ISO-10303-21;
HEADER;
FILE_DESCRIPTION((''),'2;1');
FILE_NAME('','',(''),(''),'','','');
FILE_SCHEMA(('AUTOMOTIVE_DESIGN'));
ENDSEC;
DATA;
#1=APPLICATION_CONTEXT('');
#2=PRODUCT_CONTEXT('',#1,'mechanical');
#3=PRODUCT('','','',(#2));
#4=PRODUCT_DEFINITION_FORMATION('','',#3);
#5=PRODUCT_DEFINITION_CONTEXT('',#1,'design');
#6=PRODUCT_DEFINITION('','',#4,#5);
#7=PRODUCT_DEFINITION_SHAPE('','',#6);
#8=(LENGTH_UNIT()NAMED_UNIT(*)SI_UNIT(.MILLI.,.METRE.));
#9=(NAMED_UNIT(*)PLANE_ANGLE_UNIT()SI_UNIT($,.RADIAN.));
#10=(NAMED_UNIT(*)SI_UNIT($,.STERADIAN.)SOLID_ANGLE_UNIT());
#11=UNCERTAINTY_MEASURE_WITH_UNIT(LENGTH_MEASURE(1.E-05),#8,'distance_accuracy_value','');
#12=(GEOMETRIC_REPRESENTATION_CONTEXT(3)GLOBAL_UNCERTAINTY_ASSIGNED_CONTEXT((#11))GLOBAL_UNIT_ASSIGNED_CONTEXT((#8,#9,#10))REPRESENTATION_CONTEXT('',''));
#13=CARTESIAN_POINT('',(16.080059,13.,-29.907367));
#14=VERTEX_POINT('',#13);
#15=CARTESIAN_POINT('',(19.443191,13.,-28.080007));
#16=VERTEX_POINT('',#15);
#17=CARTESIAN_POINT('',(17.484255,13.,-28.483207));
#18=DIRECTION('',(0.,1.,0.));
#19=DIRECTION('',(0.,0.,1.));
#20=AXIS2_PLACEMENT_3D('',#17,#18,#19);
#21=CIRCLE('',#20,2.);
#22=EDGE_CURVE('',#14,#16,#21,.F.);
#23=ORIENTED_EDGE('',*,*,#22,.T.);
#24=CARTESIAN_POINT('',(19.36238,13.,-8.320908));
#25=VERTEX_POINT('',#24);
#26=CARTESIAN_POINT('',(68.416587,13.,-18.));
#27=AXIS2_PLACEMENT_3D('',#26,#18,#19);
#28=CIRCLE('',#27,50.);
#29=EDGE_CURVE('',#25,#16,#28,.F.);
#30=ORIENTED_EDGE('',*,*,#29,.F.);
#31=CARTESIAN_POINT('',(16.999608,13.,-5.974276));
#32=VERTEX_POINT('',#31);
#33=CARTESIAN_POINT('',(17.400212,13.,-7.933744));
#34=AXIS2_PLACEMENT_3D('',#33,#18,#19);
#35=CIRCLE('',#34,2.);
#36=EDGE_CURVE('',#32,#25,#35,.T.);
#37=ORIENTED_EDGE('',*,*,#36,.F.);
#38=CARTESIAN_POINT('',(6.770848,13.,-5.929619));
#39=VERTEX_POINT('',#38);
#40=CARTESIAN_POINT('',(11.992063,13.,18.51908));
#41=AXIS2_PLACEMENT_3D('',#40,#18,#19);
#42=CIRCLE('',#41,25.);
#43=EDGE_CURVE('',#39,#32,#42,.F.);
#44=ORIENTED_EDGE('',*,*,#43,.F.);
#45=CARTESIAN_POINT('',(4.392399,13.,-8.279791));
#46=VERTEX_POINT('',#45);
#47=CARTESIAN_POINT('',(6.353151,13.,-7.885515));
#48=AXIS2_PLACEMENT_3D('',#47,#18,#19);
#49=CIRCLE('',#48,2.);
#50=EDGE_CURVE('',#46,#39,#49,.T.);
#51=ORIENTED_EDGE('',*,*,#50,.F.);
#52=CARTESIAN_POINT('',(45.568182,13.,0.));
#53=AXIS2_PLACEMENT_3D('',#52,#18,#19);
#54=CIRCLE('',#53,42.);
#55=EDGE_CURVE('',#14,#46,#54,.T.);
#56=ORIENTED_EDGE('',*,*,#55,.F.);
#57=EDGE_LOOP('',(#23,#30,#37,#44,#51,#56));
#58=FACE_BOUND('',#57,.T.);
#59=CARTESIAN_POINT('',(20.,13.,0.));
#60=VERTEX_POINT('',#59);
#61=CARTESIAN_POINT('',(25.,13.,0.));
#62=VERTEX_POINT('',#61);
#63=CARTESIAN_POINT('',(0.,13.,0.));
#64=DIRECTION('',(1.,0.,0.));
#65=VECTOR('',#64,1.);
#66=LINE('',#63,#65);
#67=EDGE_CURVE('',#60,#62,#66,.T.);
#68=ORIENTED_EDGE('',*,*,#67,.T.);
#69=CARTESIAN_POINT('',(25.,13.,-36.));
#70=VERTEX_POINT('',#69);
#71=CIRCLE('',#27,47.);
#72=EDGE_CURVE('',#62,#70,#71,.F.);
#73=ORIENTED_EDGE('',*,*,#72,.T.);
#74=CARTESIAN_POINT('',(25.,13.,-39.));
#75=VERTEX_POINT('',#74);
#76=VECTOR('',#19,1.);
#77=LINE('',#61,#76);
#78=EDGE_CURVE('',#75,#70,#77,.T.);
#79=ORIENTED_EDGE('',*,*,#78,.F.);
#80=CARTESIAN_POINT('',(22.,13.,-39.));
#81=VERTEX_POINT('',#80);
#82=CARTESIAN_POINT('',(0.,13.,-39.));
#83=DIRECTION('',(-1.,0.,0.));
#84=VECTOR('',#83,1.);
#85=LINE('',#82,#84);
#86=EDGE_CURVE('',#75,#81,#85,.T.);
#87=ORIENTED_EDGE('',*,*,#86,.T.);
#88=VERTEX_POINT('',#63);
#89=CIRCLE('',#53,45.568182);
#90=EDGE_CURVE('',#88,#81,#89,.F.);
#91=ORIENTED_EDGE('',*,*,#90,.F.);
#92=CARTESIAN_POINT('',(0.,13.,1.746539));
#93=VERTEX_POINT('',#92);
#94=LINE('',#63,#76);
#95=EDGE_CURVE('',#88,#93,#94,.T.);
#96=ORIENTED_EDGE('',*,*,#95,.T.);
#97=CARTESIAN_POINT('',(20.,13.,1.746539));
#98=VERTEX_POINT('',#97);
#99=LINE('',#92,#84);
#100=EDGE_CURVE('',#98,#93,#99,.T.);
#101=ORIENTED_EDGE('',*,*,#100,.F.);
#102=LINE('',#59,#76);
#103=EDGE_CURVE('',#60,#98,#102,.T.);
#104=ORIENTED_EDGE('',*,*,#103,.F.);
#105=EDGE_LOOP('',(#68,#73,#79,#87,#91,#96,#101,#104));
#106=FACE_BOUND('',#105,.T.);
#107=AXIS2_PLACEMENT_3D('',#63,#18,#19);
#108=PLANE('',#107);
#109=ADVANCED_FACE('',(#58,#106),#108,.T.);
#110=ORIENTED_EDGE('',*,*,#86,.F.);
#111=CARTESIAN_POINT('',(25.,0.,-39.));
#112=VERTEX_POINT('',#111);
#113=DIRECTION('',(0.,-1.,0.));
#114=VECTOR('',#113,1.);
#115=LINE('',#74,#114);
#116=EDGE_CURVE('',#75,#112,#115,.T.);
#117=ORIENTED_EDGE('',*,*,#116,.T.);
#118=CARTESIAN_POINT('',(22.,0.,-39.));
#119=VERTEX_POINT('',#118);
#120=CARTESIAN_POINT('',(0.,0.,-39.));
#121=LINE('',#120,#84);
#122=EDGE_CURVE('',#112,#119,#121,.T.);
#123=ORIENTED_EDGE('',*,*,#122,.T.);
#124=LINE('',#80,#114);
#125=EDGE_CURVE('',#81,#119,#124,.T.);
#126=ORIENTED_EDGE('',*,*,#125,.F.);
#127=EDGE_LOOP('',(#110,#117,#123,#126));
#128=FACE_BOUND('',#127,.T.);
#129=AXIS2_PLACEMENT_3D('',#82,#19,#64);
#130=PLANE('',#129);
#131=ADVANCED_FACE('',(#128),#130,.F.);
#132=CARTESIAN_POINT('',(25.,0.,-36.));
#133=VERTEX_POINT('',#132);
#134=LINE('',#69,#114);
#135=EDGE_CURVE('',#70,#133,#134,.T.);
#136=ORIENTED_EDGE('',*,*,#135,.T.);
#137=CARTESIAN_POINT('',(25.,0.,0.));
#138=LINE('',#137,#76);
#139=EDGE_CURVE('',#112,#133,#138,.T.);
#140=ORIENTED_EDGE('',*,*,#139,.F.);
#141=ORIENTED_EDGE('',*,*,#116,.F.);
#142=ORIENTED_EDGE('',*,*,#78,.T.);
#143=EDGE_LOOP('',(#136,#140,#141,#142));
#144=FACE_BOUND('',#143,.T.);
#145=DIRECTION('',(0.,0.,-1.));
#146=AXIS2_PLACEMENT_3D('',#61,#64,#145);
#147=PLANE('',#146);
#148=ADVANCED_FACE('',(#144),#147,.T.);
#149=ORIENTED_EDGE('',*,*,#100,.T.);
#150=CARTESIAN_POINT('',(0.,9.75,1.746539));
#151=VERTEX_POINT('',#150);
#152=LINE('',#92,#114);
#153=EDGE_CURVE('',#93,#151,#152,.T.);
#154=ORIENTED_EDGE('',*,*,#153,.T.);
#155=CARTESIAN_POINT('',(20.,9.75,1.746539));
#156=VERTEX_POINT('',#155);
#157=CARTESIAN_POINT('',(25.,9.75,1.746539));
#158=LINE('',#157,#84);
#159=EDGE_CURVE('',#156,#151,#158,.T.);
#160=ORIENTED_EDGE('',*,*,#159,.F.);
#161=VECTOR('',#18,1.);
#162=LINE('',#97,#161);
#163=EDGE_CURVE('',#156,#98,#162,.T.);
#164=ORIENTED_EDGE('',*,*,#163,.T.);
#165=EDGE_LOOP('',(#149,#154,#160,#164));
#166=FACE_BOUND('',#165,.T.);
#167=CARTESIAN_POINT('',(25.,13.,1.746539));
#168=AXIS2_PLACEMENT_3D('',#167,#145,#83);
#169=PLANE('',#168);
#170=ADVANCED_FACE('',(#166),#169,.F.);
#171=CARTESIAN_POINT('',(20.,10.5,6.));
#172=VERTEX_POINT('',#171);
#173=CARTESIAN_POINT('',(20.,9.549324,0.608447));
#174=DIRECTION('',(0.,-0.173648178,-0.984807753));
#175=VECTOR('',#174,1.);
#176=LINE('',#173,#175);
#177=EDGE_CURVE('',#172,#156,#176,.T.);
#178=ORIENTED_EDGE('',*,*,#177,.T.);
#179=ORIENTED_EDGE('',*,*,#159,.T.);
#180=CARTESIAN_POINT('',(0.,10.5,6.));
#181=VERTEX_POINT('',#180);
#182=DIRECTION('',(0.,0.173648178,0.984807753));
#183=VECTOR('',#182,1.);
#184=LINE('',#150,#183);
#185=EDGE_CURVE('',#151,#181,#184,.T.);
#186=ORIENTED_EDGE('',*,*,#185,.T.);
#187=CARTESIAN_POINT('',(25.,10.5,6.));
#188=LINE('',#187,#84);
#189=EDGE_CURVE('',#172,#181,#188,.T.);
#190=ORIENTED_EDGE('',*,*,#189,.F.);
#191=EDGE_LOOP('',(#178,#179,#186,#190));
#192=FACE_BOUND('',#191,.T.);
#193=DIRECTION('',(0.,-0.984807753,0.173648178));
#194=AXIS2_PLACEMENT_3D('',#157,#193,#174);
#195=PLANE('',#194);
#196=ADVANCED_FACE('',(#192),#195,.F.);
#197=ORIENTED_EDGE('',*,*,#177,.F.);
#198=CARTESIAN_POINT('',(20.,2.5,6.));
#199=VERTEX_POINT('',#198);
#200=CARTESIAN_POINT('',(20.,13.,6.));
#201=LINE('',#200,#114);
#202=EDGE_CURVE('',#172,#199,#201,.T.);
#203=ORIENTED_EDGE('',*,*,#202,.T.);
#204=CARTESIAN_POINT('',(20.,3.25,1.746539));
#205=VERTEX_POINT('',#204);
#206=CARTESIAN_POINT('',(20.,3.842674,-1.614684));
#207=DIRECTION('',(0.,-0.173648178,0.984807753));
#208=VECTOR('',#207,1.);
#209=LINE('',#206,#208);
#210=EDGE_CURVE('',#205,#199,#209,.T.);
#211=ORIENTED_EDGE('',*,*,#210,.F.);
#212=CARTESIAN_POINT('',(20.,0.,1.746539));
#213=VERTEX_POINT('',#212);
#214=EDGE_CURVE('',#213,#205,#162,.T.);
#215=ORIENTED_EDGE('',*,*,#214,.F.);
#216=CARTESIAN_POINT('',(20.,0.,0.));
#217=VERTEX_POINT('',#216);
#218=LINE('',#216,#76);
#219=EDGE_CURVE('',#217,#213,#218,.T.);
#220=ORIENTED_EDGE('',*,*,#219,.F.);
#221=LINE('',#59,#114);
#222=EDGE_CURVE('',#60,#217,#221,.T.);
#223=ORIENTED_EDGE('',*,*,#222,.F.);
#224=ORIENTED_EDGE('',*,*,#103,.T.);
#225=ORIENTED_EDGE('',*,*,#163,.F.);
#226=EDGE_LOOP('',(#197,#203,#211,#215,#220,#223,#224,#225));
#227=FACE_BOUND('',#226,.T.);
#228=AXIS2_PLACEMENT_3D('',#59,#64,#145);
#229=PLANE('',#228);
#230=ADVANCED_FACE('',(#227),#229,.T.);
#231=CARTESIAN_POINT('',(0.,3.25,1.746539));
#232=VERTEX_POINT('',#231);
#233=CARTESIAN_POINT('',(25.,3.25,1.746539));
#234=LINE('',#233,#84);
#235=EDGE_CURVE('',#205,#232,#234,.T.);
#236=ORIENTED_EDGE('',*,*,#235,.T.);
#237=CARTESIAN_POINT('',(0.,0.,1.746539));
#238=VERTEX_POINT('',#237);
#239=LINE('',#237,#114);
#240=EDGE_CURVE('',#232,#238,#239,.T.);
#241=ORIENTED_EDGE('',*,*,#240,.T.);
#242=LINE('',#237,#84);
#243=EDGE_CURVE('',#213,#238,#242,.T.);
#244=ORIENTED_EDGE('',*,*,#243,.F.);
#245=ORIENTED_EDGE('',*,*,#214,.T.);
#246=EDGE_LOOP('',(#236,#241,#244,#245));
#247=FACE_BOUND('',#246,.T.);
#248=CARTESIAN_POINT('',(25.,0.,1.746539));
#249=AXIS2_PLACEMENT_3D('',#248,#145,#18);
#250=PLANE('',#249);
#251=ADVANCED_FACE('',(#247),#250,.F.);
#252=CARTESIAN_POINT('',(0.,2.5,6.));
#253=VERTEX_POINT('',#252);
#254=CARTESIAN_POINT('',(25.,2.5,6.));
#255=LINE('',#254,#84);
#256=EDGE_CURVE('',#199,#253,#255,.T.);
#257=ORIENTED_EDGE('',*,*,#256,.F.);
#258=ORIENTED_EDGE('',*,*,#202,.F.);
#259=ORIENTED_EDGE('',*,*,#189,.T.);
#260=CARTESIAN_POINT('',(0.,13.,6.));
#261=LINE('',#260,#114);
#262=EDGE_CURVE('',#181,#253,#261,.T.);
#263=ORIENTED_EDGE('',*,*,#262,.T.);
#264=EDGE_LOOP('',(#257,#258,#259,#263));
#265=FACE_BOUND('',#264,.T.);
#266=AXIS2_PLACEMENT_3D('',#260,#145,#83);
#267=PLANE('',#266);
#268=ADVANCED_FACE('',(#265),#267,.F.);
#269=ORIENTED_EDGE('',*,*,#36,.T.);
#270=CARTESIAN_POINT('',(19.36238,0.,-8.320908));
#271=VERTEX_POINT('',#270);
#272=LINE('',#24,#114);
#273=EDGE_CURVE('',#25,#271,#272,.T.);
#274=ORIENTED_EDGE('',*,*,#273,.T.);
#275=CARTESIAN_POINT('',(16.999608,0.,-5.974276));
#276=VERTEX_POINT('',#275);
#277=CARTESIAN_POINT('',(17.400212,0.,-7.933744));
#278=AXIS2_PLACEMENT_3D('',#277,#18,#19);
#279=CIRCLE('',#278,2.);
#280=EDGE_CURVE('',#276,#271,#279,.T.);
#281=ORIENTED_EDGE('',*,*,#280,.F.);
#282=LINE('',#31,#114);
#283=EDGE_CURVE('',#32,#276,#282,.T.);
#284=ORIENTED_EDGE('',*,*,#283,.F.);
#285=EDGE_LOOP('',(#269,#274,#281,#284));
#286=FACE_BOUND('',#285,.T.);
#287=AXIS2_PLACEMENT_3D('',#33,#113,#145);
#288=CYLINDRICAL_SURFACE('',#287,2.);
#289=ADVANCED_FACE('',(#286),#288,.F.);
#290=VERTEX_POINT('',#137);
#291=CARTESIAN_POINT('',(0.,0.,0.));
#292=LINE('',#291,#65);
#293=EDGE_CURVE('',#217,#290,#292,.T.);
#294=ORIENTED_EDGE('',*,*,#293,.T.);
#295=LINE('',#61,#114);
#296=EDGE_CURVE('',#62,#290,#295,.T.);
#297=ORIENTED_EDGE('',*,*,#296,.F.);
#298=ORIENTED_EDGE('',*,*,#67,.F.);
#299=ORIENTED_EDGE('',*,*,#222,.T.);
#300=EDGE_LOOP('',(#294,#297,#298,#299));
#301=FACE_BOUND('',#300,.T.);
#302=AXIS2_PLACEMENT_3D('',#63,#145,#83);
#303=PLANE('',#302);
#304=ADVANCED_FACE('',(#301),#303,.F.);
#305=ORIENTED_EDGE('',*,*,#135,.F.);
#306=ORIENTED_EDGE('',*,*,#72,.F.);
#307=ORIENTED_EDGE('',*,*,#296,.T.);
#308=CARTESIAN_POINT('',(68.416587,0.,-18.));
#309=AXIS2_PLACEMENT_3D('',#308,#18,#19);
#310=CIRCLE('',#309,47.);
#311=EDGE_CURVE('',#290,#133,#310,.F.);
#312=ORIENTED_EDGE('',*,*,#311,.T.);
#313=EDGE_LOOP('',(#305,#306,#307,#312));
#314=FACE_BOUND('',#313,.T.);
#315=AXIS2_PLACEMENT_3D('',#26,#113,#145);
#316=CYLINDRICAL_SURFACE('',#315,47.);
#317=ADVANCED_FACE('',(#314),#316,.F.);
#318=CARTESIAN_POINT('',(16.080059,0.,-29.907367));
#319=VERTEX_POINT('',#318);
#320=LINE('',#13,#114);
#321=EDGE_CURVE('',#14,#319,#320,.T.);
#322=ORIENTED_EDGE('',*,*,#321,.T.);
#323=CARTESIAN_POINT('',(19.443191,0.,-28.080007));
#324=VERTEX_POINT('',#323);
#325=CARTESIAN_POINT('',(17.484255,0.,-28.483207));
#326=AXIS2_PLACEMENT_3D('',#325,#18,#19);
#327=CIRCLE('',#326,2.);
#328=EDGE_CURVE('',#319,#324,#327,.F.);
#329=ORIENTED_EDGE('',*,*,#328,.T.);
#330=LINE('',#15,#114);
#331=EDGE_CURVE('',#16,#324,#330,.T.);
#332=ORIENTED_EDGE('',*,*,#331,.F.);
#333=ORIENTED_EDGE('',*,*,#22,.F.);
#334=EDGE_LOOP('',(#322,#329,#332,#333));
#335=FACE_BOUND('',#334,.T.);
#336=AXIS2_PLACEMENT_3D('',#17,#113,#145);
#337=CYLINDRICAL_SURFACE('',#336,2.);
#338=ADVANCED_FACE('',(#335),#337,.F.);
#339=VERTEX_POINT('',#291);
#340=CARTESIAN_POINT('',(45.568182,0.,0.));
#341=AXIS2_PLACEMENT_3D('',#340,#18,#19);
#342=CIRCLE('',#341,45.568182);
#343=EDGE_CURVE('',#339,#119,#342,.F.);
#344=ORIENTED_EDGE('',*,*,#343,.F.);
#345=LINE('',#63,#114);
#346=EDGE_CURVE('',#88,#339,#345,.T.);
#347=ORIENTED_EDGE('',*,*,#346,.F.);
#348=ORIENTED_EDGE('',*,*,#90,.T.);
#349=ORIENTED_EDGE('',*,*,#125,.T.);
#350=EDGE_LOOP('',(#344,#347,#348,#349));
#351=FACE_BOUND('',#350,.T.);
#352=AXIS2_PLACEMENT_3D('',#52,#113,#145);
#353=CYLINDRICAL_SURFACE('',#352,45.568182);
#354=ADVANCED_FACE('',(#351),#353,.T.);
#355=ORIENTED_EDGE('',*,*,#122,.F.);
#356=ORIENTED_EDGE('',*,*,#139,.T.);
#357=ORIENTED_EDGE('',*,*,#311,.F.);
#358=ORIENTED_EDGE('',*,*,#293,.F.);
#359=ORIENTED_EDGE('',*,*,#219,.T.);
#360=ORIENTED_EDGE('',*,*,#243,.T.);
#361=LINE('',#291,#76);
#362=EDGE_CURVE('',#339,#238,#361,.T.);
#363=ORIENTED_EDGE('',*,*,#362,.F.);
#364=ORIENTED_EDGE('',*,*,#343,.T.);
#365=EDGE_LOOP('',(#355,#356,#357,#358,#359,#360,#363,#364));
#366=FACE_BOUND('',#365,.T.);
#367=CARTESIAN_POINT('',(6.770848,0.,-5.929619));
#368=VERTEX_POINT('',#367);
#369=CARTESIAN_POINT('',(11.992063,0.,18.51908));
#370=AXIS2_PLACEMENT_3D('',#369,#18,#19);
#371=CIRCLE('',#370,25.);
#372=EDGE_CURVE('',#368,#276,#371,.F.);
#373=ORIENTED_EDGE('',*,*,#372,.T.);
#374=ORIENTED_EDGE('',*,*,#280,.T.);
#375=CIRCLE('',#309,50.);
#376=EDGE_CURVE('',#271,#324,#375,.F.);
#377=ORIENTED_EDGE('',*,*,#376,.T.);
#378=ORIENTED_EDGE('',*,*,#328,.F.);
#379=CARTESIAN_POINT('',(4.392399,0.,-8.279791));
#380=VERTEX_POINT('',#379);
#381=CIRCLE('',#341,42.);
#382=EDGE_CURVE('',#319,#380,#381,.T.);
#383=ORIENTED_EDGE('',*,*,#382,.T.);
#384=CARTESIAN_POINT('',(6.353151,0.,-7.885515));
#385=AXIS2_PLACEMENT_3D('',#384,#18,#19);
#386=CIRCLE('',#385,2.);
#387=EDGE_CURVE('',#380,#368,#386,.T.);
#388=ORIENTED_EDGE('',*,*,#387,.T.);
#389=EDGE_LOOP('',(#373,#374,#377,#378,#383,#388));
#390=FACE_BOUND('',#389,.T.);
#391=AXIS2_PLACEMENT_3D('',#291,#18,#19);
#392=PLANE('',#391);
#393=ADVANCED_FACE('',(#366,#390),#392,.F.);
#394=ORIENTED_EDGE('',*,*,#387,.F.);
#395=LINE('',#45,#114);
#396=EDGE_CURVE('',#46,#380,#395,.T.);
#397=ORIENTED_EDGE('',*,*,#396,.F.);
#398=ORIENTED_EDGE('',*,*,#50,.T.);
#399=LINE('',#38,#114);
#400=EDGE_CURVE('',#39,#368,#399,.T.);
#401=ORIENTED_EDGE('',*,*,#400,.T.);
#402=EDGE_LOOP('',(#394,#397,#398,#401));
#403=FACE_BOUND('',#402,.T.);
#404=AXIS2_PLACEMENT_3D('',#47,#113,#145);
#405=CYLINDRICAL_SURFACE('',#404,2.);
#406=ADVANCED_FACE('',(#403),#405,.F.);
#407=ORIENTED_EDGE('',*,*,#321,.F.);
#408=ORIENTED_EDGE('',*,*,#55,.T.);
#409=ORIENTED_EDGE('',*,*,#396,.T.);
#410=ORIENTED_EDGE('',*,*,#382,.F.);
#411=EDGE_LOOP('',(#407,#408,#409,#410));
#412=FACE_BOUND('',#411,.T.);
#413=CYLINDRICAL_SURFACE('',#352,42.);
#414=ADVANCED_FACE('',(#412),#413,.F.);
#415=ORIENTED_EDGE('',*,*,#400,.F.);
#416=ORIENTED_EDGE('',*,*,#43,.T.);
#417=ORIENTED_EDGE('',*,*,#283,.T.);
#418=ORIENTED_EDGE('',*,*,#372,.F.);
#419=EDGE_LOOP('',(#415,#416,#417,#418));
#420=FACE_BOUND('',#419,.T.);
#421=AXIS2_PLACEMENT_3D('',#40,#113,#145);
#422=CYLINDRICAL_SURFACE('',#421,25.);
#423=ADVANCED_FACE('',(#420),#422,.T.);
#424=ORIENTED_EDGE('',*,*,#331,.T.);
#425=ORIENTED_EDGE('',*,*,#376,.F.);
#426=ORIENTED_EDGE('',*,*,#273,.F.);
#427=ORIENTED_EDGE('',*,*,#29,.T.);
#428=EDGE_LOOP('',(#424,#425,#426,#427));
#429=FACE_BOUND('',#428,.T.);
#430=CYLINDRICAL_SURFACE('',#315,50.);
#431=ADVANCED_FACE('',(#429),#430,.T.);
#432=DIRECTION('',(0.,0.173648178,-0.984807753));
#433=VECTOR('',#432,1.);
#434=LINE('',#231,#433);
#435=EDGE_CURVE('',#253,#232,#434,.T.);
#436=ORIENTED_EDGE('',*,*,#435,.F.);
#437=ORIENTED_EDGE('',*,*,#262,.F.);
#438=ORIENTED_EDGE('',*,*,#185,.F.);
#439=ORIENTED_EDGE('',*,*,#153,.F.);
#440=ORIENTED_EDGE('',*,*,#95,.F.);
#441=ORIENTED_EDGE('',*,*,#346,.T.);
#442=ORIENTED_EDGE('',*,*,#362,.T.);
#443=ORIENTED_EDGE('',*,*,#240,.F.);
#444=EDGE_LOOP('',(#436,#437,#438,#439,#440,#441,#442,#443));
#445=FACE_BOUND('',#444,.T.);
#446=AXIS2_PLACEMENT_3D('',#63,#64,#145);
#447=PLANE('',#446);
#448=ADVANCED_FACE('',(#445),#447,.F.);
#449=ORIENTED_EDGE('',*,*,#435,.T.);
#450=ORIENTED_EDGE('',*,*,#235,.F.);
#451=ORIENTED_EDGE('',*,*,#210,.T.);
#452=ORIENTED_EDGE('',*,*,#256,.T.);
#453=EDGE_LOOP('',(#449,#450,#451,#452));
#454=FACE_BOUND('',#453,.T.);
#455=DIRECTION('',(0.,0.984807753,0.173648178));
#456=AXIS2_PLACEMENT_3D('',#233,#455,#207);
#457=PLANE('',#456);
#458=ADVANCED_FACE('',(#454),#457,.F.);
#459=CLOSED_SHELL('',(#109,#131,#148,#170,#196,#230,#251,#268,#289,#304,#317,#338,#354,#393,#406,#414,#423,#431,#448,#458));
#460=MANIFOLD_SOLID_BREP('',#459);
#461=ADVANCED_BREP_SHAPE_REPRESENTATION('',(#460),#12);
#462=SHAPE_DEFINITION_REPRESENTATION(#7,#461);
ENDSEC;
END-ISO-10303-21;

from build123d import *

# Parameters (mm, degrees)
EXTRUDE_1_DEPTH     = 13
CUT_EXTRUDE_1_DEPTH = 49.114446895


with BuildPart() as part:
    # 草图1 → 凸台-拉伸1 (new body)
    with BuildSketch(Plane(origin=(0, 0, 0), x_dir=(1, 0, 0), z_dir=(0, 1, 0))):
        with BuildLine():
            Line((20, 0), (25, 0))
            ThreePointArc((25, 0), (21.416586692, 18), (25, 36))
            Line((25, 36), (25, 39))
            Line((25, 39), (22, 39))
            ThreePointArc((22, 39), (5.87927664, 22.388613177), (0, 0))
            Line((0, 0), (0, -6))
            Line((0, -6), (20, -6))
            Line((20, -6), (20, 0))
        make_face()
        with BuildLine():
            ThreePointArc((16.080059058, 29.907367254), (8.618420181, 19.967852036), (4.392399403, 8.279791209))
            ThreePointArc((4.392399403, 8.279791209), (4.947419472, 6.462870357), (6.770848151, 5.929619467))
            ThreePointArc((6.770848151, 5.929619467), (11.882919882, 6.480681597), (16.999608279, 5.974275931))
            ThreePointArc((16.999608279, 5.974275931), (18.809570487, 6.514692506), (19.362380146, 8.320908094))
            ThreePointArc((19.362380146, 8.320908094), (18.417004852, 18.204489029), (19.4431912, 28.080006643))
            ThreePointArc((19.4431912, 28.080006643), (18.439109127, 30.240549881), (16.080059058, 29.907367254))
        make_face(mode=Mode.SUBTRACT)
    extrude(amount=EXTRUDE_1_DEPTH)

    # 草图2 → 切除-拉伸1 (cut, through all)
    with BuildSketch(Plane.ZY):
        Polygon((1.746538635, 13), (1.746538635, 9.75), (6, 10.5), (6, 13), align=None)
        Polygon((6, 2.5), (6, 0), (1.746538635, 0), (1.746538635, 3.25), align=None)
    extrude(amount=-CUT_EXTRUDE_1_DEPTH, mode=Mode.SUBTRACT)


solid = part.part
